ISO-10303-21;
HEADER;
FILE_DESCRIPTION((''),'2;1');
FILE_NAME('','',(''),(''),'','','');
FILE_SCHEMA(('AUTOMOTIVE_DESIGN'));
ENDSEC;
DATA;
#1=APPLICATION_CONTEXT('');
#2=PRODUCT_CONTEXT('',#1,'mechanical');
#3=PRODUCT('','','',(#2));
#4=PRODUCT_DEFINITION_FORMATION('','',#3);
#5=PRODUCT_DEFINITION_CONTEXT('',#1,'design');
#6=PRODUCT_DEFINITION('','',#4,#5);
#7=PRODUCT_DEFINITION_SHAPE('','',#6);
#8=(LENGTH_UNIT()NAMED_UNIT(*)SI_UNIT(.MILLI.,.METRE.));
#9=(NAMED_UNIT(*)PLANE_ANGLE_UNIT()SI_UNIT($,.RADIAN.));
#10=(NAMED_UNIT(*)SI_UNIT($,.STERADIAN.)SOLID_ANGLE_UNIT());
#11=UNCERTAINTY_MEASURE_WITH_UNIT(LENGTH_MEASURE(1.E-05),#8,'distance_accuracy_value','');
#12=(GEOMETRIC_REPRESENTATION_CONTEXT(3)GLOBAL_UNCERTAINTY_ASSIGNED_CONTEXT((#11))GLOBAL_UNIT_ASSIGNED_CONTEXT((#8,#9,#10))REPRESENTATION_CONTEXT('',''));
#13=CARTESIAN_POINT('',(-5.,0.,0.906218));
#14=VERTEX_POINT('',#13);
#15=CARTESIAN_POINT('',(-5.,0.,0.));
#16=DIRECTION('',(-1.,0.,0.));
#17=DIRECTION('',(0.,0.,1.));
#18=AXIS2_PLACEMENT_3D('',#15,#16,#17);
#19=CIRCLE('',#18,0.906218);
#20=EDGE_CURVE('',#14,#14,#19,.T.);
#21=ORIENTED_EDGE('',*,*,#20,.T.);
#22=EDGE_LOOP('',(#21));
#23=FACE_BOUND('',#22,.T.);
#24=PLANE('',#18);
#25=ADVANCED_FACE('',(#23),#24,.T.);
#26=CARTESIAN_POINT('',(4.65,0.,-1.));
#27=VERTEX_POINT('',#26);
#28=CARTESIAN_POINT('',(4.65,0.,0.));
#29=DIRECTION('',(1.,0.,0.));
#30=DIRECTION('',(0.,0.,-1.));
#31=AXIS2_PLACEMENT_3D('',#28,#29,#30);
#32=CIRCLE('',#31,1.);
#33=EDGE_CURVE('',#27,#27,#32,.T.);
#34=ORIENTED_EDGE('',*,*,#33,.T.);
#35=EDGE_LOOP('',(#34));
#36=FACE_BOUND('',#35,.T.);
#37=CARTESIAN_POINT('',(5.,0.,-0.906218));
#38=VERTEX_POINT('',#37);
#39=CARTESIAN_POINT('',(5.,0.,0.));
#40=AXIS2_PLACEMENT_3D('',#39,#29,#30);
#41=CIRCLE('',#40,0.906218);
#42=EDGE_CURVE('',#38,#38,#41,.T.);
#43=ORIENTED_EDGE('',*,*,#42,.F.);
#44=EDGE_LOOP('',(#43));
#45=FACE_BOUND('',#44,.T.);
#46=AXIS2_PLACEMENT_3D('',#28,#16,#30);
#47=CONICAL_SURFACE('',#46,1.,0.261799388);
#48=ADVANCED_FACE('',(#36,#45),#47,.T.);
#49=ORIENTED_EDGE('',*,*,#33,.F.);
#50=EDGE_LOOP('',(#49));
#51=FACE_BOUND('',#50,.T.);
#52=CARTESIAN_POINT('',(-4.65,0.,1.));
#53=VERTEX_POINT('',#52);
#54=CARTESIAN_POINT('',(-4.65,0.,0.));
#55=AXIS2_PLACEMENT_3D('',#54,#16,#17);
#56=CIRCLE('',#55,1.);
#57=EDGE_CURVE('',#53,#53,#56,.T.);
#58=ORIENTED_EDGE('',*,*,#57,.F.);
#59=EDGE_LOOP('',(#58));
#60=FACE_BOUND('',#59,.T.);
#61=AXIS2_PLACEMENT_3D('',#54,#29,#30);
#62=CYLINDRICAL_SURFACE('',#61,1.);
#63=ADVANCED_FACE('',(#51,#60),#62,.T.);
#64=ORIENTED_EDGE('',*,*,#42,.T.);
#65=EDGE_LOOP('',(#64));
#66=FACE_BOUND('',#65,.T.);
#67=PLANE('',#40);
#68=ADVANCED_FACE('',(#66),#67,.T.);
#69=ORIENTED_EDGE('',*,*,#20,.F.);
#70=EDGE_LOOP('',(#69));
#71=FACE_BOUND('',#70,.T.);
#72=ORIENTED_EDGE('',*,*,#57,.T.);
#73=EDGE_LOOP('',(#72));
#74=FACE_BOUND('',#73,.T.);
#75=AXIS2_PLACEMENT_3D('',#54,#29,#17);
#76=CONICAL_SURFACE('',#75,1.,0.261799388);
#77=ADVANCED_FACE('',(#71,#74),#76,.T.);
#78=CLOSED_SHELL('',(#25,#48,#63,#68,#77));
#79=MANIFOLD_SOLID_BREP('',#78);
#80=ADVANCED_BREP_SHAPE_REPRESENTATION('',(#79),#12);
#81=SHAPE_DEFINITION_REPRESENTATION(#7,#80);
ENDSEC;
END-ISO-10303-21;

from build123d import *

# Parameters (mm, degrees)
SKETCH2_R           = 1
EXTRUDE1_DEPTH      = 4.65
EXTRUDE1_DEPTH_BACK = 4.65
SKETCH3_R           = 1
EXTRUDE2_DEPTH      = 0.35
EXTRUDE2_TAPER      = 15
SKETCH4_R           = 1
EXTRUDE3_DEPTH      = 0.35
EXTRUDE3_TAPER      = 15


with BuildPart() as part:
    # Sketch2 → Extrude1 (new body, two sides)
    with BuildSketch(Plane(origin=(0, 0, 0), x_dir=(0, 0, -1), z_dir=(1, 0, 0))) as extrude1_sk:
        Circle(SKETCH2_R)
    extrude(amount=EXTRUDE1_DEPTH)
    extrude(extrude1_sk.sketch, amount=-EXTRUDE1_DEPTH_BACK)

    # Sketch3 → Extrude2 (add)
    with BuildSketch(Plane(origin=(4.65, 0, 0), x_dir=(0, 0, -1), z_dir=(1, 0, 0))):
        Circle(SKETCH3_R)
    extrude(amount=EXTRUDE2_DEPTH, taper=EXTRUDE2_TAPER)

    # Sketch4 → Extrude3 (add)
    with BuildSketch(Plane.ZY.offset(4.65)):
        Circle(SKETCH4_R)
    extrude(amount=EXTRUDE3_DEPTH, taper=EXTRUDE3_TAPER)


solid = part.part
